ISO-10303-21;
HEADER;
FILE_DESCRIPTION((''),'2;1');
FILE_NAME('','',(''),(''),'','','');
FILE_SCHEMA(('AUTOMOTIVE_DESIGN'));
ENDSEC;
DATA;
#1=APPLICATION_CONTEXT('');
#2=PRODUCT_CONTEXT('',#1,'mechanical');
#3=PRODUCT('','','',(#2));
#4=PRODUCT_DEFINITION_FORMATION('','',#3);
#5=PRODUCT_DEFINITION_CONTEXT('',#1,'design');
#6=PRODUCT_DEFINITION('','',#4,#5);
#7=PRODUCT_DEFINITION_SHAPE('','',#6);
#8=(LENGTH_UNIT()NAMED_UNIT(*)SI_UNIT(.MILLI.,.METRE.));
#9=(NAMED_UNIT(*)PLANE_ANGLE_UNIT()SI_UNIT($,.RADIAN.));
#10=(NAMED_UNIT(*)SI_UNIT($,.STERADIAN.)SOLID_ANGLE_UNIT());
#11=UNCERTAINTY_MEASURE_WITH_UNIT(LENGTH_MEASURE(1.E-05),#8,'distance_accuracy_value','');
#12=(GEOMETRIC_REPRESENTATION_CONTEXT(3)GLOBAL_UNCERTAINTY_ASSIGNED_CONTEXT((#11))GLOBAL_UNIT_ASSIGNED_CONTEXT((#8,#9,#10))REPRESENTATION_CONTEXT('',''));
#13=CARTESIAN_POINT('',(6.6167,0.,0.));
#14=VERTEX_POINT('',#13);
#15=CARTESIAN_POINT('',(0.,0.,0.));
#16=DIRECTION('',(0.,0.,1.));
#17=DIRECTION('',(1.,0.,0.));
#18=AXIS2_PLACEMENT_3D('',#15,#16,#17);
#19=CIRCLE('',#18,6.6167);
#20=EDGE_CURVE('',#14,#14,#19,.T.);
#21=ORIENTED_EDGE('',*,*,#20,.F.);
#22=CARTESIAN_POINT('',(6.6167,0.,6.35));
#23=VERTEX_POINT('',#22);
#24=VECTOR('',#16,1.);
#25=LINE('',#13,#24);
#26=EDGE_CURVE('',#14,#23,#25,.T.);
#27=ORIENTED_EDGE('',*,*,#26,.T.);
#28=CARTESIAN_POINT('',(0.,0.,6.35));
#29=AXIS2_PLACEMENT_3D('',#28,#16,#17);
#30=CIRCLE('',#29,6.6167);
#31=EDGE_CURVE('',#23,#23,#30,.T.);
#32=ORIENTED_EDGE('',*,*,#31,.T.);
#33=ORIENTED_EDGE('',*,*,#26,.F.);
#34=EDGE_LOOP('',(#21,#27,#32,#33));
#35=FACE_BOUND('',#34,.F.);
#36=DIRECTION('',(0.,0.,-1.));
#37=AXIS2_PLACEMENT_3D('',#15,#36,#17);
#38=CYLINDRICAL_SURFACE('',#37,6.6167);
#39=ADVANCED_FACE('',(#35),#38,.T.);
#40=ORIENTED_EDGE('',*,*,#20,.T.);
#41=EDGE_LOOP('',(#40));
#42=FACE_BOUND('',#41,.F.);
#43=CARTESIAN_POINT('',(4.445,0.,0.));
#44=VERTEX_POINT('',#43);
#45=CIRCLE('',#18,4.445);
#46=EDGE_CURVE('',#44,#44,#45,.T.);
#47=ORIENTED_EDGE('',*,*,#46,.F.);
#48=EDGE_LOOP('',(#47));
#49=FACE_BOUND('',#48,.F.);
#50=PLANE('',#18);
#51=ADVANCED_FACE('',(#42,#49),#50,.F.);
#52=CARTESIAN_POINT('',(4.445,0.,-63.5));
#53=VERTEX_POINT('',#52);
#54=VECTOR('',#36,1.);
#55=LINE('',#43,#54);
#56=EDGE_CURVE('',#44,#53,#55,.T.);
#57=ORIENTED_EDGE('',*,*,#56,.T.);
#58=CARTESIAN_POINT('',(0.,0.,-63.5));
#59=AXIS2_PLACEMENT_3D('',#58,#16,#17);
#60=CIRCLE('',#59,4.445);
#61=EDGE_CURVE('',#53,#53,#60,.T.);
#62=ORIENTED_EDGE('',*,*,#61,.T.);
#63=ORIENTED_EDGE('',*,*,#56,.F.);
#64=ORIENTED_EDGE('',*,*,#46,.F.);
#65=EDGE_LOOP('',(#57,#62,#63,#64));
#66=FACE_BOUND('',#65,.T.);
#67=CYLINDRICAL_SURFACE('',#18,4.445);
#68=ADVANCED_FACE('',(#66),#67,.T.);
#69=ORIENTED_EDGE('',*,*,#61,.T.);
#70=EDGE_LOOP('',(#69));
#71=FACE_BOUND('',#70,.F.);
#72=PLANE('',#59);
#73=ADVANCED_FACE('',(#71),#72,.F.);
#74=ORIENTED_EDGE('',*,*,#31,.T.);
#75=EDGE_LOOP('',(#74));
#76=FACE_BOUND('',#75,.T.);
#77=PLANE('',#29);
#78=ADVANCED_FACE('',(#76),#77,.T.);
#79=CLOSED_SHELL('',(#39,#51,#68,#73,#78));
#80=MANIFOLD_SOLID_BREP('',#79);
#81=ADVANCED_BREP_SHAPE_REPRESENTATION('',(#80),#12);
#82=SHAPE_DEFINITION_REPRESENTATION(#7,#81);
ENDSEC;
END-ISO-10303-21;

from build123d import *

# Parameters (mm, degrees)
F0_R     = 4.445
F1_DEPTH = 63.5
F0_R_2   = 6.6167
F2_DEPTH = 6.35


with BuildPart() as f1:
    # F0 (on Top) → F1 (new body)
    with BuildSketch(Plane.XY):
        Circle(F0_R)
    extrude(amount=-F1_DEPTH)

    # F0 (on Top) → F2 (join)
    with BuildSketch(Plane.XY):
        Circle(F0_R_2)
        Circle(F0_R, mode=Mode.SUBTRACT)
        Circle(F0_R)
    extrude(amount=F2_DEPTH)


solid = f1.part
